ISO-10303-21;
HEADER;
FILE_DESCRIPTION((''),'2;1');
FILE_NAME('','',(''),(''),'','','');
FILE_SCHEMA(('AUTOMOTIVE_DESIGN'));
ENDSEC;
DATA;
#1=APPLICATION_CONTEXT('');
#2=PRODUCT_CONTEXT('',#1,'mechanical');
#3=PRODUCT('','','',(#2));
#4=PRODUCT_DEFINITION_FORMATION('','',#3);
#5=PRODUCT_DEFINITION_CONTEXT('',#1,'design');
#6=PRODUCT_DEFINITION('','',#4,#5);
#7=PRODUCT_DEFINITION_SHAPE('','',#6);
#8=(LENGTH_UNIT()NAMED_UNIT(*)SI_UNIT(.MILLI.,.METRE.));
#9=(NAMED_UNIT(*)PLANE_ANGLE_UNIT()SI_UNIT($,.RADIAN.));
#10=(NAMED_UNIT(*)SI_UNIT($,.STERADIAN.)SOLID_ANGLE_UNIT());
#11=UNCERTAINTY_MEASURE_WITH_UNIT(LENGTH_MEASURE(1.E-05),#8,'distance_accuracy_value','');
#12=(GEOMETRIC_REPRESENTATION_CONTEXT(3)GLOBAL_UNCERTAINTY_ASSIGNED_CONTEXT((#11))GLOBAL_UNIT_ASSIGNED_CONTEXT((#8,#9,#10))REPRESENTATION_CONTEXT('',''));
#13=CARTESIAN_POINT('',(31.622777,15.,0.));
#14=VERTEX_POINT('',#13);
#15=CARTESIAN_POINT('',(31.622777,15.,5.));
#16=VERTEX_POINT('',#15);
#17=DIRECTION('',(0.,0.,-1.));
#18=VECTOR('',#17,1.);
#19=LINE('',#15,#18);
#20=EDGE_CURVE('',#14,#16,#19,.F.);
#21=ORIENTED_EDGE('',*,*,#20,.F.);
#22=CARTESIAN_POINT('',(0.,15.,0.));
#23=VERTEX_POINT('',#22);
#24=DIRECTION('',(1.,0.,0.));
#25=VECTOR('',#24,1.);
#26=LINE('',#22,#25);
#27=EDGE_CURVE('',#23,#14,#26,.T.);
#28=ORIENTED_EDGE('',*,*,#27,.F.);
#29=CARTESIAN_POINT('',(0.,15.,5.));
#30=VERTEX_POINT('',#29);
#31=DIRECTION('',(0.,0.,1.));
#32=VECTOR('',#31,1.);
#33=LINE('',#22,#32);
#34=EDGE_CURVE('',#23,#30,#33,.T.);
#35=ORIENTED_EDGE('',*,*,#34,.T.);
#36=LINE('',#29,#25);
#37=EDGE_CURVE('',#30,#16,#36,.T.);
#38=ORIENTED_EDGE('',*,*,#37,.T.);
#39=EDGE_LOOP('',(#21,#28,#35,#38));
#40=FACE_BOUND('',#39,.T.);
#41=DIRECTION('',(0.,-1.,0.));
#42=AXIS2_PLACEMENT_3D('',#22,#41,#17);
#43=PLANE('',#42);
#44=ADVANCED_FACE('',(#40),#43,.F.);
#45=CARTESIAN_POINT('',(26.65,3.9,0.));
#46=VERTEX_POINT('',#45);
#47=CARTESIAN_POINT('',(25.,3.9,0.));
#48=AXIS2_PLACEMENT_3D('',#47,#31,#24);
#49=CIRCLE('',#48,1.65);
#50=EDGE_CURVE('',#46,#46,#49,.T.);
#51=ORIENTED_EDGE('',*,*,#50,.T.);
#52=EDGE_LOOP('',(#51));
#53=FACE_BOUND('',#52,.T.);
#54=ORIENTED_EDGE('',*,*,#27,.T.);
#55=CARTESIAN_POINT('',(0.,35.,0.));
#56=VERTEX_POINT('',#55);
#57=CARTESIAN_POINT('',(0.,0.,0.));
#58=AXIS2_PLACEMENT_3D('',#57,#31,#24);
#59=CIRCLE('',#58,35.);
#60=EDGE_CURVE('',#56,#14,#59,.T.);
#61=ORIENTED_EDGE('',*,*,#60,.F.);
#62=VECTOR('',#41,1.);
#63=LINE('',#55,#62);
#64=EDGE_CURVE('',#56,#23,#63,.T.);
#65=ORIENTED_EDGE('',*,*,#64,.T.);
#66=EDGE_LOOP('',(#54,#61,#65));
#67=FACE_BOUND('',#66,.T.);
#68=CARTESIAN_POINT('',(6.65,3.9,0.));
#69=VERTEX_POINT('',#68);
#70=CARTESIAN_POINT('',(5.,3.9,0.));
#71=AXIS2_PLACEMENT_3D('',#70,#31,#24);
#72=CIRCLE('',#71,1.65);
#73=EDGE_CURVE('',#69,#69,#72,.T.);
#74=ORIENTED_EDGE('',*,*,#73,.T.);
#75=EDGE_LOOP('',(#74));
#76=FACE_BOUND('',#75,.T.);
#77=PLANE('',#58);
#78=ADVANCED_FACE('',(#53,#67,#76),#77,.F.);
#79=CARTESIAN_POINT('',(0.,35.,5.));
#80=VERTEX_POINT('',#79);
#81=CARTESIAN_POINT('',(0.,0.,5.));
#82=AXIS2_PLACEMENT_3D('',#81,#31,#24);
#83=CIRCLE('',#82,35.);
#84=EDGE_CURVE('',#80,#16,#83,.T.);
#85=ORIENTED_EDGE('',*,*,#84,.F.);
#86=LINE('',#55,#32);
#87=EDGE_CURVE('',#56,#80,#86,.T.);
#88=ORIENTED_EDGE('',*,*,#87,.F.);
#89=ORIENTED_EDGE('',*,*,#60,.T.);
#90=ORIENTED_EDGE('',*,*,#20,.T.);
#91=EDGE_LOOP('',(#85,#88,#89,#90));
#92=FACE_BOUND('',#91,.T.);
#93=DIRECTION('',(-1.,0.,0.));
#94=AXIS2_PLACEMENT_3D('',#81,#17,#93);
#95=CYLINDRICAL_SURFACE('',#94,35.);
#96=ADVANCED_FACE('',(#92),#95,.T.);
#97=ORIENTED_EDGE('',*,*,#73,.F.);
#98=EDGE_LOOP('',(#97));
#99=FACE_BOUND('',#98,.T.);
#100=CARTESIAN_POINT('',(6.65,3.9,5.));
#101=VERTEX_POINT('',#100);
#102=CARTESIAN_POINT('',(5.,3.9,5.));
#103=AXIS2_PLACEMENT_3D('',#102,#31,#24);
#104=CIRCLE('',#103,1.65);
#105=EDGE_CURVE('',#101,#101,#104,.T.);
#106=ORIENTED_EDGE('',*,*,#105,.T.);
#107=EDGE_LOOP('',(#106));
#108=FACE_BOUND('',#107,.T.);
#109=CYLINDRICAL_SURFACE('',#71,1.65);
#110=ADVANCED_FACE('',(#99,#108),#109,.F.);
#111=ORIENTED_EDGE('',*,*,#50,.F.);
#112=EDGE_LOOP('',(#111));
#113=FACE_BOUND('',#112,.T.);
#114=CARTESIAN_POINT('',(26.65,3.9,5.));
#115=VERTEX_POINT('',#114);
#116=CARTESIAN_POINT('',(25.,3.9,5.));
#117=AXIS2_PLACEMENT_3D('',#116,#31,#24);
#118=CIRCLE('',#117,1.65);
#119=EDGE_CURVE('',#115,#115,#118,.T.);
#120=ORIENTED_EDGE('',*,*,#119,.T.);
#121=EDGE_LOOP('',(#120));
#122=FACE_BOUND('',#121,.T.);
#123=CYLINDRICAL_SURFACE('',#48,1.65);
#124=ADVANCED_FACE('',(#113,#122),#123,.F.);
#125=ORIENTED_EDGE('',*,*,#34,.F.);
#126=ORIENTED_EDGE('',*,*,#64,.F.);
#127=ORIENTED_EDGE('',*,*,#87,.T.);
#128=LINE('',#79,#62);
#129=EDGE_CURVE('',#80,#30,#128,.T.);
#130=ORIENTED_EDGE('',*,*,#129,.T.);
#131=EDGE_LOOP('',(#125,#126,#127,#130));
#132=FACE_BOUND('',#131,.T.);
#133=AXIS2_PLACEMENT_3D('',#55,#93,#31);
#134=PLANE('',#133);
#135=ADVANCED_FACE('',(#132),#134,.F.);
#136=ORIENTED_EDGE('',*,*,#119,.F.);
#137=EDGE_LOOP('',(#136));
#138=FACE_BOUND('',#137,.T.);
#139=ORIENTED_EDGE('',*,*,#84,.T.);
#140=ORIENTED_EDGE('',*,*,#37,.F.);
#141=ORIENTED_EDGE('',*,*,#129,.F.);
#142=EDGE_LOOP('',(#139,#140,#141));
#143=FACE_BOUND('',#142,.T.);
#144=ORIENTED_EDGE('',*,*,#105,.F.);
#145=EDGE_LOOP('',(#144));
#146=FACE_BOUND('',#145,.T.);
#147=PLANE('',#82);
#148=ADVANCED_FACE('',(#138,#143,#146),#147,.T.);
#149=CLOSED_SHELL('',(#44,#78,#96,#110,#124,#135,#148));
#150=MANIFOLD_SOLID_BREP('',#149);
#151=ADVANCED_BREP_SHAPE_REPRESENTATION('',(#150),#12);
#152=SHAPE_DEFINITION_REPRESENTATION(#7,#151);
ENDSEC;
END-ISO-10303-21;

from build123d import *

# Parameters (mm, degrees)
SKETCH2_R           = 35
BOSS_EXTRUDE1_DEPTH = 5
SKETCH4_R           = 1.65
SKETCH4_W           = 60
SKETCH4_H           = 20
CUT_EXTRUDE1_DEPTH  = 5


with BuildPart() as part:
    # Sketch2 → Boss-Extrude1 (new body)
    with BuildSketch(Plane.XY):
        Circle(SKETCH2_R)
    extrude(amount=BOSS_EXTRUDE1_DEPTH)

    # Sketch4 → Cut-Extrude1 (cut)
    with BuildSketch(Plane.XY.offset(5)):
        with Locations((5, 3.9)):
            Circle(SKETCH4_R)
        with Locations((25, 3.9)):
            Circle(SKETCH4_R)
        with Locations((30, 25)):
            Rectangle(SKETCH4_W, SKETCH4_H)
    extrude(amount=-CUT_EXTRUDE1_DEPTH, mode=Mode.SUBTRACT)


solid = part.part
